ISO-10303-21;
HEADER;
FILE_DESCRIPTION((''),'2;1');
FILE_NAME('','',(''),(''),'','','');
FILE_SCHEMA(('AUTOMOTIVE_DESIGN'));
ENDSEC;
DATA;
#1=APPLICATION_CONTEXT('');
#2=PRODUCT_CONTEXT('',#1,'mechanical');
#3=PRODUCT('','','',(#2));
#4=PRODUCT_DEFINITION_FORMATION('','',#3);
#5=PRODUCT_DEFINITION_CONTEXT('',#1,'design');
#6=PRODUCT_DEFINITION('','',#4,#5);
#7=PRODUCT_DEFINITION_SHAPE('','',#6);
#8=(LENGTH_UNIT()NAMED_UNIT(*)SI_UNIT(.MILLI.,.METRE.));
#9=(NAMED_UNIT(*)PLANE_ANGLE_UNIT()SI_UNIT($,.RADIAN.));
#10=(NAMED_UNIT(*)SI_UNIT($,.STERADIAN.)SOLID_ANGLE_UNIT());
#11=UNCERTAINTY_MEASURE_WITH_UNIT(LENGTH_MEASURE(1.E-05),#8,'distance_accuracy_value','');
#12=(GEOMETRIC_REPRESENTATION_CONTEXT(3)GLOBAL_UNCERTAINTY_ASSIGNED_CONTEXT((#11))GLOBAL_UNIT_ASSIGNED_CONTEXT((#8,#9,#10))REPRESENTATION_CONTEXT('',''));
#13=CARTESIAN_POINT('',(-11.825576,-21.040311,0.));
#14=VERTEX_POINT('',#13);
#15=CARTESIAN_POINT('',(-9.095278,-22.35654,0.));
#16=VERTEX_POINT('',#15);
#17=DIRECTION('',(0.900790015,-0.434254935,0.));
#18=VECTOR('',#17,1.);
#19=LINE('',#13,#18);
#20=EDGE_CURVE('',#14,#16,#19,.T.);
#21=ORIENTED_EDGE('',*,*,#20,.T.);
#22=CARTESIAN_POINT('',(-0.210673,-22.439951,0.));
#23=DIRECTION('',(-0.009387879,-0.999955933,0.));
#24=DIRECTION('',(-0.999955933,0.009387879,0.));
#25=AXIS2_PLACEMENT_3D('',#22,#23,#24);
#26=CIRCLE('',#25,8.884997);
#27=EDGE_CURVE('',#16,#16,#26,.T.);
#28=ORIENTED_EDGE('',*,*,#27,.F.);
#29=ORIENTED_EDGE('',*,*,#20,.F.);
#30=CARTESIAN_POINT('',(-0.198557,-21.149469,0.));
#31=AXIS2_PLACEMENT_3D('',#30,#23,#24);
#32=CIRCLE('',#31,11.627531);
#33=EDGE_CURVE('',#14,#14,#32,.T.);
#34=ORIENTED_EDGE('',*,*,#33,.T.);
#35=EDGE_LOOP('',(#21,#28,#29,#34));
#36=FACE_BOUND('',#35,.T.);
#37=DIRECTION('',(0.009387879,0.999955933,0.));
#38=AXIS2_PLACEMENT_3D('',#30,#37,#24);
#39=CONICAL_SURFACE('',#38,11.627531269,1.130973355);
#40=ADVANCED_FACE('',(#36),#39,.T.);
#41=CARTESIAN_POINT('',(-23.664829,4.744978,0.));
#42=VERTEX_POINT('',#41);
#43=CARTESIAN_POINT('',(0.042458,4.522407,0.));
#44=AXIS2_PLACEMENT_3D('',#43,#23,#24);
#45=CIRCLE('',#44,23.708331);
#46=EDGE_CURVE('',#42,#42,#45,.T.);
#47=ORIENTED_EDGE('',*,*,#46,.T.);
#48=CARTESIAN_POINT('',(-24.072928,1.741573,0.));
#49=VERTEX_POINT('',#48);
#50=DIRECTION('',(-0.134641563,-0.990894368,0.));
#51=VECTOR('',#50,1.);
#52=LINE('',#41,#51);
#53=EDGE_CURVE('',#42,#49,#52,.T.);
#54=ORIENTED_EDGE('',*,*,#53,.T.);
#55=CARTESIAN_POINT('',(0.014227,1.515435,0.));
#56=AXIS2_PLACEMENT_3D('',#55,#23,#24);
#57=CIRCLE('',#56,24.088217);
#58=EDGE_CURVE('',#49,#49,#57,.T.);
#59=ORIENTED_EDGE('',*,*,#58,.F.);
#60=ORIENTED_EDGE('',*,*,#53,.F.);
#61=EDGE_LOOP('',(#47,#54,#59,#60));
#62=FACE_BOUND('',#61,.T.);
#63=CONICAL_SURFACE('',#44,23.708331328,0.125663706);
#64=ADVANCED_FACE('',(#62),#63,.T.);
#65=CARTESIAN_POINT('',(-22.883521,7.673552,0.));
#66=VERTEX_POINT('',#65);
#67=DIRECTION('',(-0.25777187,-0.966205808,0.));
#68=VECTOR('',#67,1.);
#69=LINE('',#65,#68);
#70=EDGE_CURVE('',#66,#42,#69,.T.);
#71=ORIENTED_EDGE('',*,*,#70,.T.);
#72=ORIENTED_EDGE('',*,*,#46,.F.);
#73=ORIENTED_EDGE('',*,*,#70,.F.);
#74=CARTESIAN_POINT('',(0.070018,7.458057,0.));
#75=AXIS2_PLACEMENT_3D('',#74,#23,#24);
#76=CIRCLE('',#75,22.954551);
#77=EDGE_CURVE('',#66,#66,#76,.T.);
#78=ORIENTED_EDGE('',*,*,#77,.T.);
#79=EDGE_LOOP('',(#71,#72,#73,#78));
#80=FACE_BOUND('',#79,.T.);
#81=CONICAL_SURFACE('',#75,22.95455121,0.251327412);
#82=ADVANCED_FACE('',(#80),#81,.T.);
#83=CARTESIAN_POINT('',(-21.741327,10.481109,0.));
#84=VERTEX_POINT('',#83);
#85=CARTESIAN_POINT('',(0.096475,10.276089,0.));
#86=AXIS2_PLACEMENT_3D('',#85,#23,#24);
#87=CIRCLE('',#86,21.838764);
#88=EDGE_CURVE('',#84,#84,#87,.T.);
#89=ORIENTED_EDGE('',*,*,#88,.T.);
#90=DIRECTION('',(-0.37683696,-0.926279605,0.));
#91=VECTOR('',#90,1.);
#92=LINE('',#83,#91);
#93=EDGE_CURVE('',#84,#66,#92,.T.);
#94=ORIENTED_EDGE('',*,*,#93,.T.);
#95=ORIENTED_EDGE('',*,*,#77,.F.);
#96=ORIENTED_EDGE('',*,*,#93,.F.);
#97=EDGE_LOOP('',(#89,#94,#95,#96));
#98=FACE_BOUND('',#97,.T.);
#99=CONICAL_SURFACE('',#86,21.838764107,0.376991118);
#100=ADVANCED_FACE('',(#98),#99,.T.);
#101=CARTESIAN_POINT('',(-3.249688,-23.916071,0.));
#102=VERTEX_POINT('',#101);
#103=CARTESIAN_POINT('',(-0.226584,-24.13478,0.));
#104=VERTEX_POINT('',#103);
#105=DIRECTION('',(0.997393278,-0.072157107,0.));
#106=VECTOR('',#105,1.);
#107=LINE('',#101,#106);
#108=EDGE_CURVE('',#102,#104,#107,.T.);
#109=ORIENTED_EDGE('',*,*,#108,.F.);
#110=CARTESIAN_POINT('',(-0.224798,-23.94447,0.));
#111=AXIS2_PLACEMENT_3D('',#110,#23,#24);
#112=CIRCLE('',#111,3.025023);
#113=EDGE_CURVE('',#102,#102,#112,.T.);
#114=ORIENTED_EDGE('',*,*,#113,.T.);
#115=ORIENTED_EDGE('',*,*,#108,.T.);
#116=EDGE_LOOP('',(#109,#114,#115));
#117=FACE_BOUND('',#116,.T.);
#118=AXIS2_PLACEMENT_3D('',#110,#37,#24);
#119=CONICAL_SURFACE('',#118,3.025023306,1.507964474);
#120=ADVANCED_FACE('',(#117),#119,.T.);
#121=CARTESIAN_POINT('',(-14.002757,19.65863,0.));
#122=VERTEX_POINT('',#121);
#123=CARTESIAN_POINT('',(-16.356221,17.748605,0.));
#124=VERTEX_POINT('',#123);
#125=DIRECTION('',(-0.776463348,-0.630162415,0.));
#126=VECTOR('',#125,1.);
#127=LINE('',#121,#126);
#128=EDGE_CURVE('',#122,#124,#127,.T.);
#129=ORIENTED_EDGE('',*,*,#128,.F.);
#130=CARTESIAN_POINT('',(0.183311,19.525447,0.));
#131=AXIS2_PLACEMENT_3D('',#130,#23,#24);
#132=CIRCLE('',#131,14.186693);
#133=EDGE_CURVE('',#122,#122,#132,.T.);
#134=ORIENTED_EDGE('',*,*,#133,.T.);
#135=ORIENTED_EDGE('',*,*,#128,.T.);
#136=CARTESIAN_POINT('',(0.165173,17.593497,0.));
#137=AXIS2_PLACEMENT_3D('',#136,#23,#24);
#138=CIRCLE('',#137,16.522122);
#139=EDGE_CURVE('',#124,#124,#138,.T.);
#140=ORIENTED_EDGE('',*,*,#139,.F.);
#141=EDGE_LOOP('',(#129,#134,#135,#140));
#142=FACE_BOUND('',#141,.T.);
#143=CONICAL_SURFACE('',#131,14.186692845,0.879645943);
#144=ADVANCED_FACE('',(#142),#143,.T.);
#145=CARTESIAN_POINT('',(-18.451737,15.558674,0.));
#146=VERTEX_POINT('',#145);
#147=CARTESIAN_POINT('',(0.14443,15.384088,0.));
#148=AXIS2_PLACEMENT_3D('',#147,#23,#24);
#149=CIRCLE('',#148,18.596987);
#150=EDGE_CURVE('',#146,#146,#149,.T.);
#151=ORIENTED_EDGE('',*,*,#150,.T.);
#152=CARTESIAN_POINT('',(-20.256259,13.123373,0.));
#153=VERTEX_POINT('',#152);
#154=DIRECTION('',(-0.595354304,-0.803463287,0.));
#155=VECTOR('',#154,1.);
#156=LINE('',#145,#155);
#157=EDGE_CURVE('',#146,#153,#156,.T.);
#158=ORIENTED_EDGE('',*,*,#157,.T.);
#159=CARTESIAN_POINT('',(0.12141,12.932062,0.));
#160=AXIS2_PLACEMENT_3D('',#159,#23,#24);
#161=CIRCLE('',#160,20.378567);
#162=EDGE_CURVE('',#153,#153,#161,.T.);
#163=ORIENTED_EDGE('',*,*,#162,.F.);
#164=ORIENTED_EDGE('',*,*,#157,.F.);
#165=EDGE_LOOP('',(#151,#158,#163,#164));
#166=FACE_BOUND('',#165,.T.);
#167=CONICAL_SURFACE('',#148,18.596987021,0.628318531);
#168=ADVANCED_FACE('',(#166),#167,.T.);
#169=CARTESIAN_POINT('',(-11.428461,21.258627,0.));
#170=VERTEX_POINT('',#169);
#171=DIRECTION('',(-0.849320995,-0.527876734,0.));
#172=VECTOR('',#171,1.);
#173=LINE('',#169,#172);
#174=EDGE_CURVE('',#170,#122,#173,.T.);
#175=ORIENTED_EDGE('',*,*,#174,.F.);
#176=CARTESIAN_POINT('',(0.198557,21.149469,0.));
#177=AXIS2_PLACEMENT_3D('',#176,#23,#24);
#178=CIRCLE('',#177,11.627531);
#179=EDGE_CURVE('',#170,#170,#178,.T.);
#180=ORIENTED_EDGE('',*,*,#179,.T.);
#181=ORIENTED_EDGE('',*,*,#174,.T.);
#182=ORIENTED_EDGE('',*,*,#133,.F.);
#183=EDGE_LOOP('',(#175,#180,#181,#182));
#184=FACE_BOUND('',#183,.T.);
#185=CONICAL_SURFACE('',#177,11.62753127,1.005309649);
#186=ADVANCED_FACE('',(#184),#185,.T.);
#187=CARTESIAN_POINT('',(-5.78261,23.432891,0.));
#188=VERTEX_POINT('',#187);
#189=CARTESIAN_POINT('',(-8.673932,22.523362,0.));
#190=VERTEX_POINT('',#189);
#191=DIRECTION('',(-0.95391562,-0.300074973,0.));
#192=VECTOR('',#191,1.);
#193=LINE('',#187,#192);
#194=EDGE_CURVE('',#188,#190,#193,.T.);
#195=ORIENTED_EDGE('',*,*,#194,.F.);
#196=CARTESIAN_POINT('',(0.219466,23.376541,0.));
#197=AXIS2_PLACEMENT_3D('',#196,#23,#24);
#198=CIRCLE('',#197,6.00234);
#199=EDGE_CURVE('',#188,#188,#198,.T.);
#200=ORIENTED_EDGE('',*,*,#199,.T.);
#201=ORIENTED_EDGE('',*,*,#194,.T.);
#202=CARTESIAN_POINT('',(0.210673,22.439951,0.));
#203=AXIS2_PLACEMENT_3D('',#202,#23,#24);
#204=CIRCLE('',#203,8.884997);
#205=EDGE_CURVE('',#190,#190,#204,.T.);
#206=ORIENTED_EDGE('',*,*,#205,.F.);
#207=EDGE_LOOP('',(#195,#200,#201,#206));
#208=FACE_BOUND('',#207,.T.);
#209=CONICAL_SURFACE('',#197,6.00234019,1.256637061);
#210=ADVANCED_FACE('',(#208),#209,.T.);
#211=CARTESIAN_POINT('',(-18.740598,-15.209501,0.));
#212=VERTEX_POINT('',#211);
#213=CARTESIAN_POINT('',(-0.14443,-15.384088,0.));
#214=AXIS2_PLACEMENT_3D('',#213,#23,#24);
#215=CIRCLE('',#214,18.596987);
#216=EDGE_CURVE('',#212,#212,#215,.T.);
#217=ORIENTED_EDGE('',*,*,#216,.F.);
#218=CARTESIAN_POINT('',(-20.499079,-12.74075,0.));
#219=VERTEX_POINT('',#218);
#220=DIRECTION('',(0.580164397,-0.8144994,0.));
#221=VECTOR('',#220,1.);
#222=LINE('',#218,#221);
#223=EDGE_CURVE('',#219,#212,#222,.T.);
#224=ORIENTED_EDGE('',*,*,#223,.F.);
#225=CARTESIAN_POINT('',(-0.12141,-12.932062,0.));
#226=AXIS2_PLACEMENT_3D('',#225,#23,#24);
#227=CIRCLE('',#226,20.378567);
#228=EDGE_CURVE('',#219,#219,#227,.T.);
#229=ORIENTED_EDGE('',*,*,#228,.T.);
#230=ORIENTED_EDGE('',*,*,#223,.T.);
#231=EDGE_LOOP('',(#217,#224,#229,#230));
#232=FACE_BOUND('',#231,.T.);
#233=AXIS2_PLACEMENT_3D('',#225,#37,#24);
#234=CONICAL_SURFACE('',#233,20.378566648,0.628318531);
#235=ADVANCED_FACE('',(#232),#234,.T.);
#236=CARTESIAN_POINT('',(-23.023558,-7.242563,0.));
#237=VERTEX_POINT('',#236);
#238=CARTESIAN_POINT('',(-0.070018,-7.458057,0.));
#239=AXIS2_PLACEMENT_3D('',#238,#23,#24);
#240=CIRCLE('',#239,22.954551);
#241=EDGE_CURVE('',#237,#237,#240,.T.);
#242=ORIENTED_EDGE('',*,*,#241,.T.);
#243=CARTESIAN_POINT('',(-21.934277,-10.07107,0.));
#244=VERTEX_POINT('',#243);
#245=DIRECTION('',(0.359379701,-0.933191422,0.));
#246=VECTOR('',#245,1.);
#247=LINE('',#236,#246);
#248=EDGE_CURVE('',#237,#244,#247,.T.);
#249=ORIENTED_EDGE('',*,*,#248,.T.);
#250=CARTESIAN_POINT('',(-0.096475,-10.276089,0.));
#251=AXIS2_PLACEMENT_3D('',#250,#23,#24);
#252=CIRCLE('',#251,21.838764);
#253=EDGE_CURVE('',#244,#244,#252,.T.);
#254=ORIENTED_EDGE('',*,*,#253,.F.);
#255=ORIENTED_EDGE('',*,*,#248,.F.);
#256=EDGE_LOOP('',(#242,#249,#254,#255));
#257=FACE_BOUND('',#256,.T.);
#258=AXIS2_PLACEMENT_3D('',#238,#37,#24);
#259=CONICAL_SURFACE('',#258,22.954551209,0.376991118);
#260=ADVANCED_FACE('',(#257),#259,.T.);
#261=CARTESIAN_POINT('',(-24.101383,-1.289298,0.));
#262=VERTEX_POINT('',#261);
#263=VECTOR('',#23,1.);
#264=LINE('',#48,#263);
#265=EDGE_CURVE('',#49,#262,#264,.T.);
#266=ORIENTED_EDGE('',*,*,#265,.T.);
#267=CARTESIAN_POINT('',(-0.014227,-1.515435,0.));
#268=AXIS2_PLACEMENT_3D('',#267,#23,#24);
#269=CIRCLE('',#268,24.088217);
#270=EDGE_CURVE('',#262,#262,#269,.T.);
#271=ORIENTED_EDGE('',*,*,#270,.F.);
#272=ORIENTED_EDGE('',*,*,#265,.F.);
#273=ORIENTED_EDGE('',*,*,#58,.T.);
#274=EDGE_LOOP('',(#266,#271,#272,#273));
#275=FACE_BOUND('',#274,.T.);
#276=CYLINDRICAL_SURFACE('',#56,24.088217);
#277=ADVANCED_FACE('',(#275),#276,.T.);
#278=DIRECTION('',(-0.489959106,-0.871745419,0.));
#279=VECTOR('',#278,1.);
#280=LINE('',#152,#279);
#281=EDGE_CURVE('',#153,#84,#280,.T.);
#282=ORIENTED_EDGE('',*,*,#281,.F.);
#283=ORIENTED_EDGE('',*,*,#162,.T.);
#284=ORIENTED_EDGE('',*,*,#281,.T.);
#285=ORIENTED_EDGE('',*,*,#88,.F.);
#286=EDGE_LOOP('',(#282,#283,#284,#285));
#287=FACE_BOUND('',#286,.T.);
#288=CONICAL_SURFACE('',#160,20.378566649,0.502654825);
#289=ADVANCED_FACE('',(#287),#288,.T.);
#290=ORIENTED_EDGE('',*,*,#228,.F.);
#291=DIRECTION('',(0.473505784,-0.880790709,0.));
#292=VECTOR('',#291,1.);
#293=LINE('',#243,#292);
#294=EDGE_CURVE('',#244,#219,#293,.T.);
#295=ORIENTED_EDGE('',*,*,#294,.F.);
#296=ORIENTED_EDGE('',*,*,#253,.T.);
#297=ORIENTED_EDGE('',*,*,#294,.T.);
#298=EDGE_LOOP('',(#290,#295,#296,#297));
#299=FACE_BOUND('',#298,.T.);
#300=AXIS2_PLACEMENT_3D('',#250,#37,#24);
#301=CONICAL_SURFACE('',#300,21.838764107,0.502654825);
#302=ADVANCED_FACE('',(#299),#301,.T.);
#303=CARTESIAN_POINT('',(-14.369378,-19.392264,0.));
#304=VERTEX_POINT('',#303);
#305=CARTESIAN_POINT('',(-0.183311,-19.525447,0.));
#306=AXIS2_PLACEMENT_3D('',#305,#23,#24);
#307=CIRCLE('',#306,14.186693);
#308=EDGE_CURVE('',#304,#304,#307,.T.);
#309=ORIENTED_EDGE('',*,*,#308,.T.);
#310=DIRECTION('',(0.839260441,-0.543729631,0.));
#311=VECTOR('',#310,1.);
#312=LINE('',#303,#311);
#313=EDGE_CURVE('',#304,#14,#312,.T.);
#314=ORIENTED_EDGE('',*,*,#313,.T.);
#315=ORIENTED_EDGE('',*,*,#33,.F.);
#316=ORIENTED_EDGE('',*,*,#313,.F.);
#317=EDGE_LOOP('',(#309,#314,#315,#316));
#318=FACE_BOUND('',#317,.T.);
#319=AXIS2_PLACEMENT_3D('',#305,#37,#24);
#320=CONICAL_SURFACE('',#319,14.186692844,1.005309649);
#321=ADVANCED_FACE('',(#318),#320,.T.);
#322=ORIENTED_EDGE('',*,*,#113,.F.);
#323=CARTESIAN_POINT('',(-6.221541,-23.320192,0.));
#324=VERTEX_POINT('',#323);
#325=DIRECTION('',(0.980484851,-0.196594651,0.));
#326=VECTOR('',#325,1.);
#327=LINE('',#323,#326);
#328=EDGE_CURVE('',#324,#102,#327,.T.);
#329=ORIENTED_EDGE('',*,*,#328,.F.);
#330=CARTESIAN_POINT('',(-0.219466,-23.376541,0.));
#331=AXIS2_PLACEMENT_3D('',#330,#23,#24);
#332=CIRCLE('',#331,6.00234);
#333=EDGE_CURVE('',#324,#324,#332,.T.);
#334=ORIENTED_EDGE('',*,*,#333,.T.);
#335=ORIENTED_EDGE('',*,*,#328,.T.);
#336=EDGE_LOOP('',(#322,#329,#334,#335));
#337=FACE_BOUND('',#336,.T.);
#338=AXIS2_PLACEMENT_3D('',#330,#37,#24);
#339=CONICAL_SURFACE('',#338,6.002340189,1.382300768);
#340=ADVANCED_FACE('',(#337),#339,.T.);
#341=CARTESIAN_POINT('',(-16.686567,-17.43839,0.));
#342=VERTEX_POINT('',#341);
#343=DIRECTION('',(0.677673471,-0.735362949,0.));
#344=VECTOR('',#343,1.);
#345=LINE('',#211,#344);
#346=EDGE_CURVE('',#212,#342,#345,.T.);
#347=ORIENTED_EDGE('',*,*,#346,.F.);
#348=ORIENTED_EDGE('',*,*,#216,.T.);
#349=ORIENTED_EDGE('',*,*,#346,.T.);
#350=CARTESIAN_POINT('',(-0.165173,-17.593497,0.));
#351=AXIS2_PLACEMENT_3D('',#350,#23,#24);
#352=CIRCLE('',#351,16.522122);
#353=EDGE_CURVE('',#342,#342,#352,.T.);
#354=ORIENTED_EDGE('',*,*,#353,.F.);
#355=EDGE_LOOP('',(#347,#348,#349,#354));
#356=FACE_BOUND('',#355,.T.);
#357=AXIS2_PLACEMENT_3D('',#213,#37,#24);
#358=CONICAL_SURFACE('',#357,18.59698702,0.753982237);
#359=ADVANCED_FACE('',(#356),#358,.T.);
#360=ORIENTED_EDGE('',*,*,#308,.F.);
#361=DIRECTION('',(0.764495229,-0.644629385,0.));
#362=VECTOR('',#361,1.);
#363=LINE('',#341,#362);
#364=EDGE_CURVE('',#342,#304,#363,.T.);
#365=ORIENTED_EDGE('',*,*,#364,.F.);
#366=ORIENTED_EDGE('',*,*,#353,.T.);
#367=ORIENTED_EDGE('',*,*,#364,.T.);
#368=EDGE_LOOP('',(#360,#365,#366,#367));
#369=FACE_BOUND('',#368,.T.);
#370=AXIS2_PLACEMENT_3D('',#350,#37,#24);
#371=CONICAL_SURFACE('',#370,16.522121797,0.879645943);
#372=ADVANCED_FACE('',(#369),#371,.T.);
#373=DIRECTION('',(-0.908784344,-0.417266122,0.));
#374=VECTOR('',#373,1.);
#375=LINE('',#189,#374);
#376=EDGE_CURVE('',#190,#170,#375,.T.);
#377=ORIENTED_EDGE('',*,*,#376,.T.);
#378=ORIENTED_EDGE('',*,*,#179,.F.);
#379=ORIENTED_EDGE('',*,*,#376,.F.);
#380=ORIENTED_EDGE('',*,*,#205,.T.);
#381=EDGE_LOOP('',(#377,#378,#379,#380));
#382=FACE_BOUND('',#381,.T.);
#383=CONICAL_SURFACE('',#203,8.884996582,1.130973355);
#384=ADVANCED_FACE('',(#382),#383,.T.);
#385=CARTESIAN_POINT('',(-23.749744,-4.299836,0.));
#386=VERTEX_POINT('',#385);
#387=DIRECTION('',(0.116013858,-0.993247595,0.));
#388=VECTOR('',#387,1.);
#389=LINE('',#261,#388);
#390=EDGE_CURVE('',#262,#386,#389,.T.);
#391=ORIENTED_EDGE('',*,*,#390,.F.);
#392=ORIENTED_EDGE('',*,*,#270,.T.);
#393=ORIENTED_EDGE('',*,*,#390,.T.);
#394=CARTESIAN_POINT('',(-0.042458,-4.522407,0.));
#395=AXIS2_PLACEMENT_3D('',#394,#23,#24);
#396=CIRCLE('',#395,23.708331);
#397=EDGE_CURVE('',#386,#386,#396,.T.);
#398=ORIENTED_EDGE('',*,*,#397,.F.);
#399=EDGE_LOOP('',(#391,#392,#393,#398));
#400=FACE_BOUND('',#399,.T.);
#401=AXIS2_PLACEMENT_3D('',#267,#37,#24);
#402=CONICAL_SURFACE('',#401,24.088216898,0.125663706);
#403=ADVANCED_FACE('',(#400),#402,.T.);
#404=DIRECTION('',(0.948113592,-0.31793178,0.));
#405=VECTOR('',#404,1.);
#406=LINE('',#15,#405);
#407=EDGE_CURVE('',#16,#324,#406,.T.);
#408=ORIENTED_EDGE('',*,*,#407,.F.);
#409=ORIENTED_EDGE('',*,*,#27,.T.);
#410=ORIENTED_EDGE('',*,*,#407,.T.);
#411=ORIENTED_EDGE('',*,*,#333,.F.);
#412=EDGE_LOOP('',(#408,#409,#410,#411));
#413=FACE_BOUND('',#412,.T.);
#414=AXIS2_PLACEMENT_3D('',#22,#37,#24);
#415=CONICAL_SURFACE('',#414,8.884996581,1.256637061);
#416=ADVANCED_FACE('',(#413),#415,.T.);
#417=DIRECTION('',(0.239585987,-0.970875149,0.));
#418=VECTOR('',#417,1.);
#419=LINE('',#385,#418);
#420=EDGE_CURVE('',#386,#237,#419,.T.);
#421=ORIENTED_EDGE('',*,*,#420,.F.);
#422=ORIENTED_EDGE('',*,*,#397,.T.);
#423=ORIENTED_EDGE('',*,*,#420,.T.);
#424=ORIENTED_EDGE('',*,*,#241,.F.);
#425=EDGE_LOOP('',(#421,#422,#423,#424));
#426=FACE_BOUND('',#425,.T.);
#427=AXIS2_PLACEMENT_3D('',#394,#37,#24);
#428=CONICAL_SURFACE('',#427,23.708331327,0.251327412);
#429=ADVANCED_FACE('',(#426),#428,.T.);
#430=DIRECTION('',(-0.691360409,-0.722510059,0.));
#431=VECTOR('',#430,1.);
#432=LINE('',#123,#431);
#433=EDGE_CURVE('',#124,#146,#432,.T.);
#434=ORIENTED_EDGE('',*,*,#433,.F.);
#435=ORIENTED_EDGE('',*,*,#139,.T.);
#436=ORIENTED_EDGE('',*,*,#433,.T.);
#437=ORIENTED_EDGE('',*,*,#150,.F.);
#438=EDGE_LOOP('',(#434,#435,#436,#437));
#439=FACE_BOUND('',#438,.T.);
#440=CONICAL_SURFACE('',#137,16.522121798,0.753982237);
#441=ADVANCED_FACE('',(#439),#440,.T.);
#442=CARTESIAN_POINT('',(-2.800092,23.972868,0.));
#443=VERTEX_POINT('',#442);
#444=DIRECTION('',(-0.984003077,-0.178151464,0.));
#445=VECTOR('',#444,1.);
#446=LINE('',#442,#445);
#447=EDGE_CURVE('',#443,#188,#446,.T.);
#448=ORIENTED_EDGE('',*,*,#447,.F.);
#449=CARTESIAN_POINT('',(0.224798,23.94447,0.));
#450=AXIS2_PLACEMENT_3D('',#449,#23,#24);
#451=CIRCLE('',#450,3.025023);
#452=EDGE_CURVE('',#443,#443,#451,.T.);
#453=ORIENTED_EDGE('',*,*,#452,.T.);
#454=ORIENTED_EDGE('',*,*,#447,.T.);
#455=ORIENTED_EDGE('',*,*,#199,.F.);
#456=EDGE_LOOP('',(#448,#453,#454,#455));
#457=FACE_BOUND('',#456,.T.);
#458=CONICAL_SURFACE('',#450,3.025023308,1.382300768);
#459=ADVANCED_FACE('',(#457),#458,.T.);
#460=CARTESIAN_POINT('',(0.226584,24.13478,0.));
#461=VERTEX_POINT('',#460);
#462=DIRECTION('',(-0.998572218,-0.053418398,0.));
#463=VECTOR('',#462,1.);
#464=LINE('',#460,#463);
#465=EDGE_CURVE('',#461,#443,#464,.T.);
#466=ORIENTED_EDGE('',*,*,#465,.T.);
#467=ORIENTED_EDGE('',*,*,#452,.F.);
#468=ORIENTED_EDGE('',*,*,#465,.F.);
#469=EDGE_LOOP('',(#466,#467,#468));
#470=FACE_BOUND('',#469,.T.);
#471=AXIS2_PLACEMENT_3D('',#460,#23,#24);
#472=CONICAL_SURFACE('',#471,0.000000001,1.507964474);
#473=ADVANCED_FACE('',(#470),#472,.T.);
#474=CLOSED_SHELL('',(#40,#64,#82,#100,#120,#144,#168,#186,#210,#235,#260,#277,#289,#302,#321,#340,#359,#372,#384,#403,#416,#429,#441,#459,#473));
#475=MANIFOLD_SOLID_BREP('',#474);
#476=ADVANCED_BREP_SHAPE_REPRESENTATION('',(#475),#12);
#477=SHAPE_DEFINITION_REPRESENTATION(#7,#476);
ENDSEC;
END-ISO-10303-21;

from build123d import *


with BuildPart() as f1:
    # F0 (on Top) → F1 (revolve)
    with BuildSketch(Plane.XY):
        Polygon((-20.2562586445, 13.1233732631), (-21.7413268012, 10.4811091493), (-22.8835212465, 7.6735516831), (-23.6648288919, 4.744977723), (-24.0729280489, 1.7415726296), (-24.1013827502, -1.2892981045), (-23.749744248, -4.2998358373), (-23.0235580916, -7.2425625904), (-21.9342766705, -10.0710698049), (-20.4990786034, -12.7407502324), (-18.7405978212, -15.2095014178), (-16.6865666162, -17.4383896801), (-14.3693782877, -19.39226412), (-11.8255762797, -21.0403109703), (-9.0952778695, -22.3565395478), (-6.221541494, -23.3201921414), (-3.2496876926, -23.9160713742), (-0.226584375, -24.1347798746), (0.226584375, 24.1347798746), (-2.8000923135, 23.972868479), (-5.7826098735, 23.4328906267), (-8.6739322215, 22.5233620912), (-11.4284614768, 21.2586266807), (-14.0027570675, 19.6586300281), (-16.3562208145, 17.7486050365), (-18.4517371885, 15.5586739409), align=None)
    revolve(axis=Axis((0, 0, 0), (-0.0093878789, -0.9999559329, 0)))


solid = f1.part
